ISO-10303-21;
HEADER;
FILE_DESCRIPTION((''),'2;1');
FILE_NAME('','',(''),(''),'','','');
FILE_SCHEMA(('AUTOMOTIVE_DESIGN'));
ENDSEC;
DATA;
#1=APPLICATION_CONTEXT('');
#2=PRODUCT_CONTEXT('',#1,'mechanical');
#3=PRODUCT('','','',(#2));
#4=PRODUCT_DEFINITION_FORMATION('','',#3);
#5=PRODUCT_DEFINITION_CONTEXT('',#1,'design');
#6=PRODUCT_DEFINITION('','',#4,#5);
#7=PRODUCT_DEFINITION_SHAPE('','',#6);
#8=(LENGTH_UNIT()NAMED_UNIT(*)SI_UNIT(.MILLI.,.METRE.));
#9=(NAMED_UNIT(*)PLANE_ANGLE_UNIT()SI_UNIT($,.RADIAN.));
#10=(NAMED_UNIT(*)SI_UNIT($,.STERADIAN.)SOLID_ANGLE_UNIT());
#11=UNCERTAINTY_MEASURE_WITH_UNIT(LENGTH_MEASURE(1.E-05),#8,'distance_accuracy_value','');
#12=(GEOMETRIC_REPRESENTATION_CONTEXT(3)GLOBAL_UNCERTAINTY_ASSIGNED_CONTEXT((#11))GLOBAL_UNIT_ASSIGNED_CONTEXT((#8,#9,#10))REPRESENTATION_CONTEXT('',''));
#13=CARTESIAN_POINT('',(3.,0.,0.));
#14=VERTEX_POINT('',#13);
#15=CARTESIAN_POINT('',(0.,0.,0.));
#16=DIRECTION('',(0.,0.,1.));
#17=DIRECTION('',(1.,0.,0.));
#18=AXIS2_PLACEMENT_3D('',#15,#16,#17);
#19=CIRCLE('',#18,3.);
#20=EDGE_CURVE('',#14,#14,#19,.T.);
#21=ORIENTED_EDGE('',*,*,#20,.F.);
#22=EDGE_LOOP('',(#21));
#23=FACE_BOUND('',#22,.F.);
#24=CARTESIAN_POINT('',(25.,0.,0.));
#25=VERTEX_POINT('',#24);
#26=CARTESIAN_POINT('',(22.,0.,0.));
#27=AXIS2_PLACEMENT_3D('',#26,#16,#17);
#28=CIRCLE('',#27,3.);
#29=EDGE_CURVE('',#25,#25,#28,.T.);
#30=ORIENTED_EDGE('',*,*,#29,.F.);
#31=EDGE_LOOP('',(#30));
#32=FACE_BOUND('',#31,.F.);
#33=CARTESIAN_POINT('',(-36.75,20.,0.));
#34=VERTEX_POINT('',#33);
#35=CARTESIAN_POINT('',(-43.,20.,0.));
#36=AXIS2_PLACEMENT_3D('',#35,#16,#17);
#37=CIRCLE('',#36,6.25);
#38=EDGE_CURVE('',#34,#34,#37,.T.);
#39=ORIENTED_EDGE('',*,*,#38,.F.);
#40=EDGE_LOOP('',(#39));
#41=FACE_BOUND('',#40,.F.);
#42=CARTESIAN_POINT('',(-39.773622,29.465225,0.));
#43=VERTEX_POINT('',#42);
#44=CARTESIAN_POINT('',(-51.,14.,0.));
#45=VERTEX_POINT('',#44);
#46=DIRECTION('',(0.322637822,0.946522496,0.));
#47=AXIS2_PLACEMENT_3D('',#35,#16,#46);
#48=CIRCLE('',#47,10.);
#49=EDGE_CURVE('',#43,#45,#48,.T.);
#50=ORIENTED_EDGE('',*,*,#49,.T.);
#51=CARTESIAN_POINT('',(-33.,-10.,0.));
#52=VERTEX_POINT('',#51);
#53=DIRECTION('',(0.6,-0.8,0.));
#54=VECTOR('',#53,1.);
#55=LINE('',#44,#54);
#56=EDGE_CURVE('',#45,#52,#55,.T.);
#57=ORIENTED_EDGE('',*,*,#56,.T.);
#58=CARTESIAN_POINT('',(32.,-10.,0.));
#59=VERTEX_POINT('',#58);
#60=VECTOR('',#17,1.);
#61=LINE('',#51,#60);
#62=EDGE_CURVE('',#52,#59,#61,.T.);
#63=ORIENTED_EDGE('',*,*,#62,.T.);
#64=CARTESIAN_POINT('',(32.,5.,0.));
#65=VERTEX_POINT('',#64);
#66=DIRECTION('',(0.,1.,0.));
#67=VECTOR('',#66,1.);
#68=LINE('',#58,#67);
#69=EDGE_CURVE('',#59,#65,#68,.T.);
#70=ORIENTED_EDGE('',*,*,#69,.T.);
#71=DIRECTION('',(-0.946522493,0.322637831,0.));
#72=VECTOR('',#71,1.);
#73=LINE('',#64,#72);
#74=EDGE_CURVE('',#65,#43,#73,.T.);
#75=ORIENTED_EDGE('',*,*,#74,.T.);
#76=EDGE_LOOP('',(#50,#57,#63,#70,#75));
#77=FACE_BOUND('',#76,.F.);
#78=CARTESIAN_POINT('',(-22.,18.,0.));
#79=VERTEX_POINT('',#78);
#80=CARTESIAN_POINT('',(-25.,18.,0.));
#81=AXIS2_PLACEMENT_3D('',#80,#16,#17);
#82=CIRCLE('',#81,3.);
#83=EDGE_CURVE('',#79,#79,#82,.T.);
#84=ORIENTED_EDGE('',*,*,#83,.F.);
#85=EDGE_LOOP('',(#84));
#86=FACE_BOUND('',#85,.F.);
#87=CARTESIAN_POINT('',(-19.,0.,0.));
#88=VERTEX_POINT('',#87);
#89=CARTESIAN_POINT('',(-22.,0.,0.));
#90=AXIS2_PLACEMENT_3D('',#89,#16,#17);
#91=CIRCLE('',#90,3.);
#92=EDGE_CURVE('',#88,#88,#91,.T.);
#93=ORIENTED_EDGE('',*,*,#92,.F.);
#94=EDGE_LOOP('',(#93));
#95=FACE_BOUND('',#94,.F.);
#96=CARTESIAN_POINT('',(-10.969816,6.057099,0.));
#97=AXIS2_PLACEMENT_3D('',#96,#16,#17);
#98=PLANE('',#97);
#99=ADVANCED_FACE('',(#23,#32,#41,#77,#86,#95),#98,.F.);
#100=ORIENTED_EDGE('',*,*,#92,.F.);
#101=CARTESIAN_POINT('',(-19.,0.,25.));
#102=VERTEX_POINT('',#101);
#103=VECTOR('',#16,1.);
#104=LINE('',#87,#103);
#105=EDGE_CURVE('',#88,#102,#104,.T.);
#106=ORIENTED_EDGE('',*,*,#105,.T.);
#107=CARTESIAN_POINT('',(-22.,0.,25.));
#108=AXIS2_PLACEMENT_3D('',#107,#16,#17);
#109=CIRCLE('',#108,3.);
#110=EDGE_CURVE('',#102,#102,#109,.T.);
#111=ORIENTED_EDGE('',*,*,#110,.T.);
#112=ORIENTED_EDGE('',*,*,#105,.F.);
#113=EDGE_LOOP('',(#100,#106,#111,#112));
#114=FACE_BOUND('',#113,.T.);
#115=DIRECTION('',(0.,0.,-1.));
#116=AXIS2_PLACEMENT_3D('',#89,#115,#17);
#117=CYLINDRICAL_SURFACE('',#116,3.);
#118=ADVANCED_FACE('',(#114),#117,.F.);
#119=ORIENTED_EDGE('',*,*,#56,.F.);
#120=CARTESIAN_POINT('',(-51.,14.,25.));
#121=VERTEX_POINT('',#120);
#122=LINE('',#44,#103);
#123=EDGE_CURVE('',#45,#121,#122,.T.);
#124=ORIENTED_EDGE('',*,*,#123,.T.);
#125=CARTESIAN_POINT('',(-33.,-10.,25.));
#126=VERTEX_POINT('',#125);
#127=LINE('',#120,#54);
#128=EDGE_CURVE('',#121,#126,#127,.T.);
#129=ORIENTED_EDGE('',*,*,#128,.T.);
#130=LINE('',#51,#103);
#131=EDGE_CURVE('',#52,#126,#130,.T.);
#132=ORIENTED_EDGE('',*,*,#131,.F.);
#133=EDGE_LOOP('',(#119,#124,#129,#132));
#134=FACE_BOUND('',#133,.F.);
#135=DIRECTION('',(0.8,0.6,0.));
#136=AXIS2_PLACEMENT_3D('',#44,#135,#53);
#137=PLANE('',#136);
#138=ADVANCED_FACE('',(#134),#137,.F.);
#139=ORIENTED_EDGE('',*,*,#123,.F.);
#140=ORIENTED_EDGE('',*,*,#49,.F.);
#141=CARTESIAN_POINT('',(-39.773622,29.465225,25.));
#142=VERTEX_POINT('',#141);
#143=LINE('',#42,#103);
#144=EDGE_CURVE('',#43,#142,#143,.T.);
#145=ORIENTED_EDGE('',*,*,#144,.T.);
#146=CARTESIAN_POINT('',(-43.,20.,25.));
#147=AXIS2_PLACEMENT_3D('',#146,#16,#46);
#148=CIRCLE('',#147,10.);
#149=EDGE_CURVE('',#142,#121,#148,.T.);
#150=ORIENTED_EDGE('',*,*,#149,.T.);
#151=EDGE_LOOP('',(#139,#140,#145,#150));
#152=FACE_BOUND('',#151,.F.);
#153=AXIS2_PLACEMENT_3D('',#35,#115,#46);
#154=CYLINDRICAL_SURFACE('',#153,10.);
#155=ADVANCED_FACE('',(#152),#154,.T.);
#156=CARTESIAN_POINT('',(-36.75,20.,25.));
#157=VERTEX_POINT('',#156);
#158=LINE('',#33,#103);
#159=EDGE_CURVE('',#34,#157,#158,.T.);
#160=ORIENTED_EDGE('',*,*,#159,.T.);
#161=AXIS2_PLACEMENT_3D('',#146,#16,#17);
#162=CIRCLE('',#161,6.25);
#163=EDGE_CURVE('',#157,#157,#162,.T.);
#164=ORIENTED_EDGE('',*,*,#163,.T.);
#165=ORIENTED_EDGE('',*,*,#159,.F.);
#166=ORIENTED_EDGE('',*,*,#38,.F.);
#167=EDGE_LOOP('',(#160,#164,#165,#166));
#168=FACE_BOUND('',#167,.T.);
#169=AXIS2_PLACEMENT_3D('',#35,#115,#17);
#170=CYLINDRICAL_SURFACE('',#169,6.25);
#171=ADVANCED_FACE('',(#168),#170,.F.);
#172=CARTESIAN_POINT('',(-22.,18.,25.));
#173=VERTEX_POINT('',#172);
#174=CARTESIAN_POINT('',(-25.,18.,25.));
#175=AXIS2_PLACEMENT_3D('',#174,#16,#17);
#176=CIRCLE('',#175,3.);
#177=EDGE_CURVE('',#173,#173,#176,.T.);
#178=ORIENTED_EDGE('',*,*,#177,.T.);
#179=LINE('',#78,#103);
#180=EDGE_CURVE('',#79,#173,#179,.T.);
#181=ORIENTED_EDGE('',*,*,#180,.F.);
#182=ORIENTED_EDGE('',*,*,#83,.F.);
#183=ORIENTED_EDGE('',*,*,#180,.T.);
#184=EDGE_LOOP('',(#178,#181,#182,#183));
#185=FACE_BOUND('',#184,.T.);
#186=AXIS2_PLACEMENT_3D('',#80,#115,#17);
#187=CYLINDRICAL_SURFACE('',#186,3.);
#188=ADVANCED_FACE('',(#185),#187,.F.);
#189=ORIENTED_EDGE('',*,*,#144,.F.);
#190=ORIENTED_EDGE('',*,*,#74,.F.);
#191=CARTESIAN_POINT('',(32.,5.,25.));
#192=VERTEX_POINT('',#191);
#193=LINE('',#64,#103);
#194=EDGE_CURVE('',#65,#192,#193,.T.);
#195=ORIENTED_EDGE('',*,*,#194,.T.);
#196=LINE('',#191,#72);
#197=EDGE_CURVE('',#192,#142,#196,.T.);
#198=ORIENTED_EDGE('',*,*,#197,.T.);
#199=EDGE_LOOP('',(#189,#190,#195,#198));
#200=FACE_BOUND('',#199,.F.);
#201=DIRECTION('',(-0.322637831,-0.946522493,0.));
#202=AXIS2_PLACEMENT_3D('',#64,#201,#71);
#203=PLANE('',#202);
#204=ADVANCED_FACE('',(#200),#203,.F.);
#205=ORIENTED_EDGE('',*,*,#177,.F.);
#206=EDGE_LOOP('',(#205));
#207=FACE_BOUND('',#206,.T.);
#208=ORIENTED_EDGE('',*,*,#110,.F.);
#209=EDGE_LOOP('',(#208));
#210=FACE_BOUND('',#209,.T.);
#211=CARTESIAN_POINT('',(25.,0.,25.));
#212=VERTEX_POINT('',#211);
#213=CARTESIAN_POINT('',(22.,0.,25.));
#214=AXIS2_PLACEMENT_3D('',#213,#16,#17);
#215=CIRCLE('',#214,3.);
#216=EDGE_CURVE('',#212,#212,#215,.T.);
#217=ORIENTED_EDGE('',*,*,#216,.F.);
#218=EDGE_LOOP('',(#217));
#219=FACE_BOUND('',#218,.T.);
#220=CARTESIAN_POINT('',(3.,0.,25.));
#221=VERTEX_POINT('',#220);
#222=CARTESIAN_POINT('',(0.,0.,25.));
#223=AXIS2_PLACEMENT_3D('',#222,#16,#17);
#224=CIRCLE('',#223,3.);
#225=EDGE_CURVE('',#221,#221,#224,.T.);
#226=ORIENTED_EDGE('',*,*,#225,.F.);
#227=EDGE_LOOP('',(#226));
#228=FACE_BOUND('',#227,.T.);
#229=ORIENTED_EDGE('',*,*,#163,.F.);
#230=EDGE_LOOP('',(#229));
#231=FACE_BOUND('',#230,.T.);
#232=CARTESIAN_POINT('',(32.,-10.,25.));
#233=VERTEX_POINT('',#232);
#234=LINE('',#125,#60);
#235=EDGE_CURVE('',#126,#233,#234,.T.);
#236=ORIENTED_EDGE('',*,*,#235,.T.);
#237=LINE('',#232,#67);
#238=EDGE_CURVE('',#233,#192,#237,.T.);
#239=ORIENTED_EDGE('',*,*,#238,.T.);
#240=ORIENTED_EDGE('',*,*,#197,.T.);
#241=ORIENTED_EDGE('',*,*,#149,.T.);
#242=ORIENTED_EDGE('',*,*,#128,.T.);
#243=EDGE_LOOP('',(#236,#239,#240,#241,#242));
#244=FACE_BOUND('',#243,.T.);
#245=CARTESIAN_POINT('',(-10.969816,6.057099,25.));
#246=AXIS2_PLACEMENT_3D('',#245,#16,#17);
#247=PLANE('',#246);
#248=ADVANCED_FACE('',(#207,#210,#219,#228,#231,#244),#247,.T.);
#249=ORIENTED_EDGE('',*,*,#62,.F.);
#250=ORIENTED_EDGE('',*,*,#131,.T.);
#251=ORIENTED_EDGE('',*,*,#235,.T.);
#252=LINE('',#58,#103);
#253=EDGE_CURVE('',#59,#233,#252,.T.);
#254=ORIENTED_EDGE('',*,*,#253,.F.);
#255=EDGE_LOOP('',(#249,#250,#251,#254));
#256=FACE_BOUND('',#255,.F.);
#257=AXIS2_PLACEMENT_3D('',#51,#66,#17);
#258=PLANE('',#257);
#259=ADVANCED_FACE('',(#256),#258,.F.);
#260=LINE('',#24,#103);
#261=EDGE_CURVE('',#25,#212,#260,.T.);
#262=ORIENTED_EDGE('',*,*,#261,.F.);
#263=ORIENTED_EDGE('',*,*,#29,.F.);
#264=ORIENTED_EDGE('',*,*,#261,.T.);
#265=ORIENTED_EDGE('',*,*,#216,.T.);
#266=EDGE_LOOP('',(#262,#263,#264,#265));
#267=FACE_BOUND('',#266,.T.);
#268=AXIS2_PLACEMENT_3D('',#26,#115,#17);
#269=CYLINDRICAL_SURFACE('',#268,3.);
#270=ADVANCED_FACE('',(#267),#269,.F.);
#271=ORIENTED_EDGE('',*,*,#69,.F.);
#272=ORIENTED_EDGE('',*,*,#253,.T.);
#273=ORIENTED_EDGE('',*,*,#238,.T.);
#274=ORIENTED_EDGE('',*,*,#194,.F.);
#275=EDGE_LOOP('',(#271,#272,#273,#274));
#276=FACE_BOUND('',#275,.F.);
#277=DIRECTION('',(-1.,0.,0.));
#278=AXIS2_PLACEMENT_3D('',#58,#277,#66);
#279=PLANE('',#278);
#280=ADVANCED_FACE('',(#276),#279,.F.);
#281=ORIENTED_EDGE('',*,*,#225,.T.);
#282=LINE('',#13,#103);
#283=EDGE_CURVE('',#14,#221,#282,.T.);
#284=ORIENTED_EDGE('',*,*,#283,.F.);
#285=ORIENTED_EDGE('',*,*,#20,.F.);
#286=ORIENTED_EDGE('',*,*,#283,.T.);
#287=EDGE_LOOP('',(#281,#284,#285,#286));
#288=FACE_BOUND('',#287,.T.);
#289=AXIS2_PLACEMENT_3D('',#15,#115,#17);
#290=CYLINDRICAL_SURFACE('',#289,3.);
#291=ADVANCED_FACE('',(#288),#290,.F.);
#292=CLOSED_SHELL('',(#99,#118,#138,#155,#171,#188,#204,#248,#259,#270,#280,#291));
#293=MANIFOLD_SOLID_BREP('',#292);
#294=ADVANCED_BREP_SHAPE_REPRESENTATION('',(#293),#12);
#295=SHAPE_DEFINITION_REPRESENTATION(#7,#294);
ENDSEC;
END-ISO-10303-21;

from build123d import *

# Parameters (mm, degrees)
F0_R     = 3
F0_R_2   = 6.25
F1_DEPTH = 25


with BuildPart() as f1:
    # F0 (on Top) → F1 (new body)
    with BuildSketch(Plane.XY):
        with BuildLine():
            Line((32, 5), (-39.773622, 29.465225))
            ThreePointArc((-39.773622, 29.465225), (-51.092599, 25.874508), (-51, 14))
            Line((-51, 14), (-33, -10))
            Line((-33, -10), (32, -10))
            Line((32, -10), (32, 5))
        make_face()
        with Locations((-22, 0)):
            Circle(F0_R, mode=Mode.SUBTRACT)
        Circle(F0_R, mode=Mode.SUBTRACT)
        with Locations((22, 0)):
            Circle(F0_R, mode=Mode.SUBTRACT)
        with Locations((-25, 18)):
            Circle(F0_R, mode=Mode.SUBTRACT)
        with Locations((-43, 20)):
            Circle(F0_R_2, mode=Mode.SUBTRACT)
    extrude(amount=F1_DEPTH)


solid = f1.part
